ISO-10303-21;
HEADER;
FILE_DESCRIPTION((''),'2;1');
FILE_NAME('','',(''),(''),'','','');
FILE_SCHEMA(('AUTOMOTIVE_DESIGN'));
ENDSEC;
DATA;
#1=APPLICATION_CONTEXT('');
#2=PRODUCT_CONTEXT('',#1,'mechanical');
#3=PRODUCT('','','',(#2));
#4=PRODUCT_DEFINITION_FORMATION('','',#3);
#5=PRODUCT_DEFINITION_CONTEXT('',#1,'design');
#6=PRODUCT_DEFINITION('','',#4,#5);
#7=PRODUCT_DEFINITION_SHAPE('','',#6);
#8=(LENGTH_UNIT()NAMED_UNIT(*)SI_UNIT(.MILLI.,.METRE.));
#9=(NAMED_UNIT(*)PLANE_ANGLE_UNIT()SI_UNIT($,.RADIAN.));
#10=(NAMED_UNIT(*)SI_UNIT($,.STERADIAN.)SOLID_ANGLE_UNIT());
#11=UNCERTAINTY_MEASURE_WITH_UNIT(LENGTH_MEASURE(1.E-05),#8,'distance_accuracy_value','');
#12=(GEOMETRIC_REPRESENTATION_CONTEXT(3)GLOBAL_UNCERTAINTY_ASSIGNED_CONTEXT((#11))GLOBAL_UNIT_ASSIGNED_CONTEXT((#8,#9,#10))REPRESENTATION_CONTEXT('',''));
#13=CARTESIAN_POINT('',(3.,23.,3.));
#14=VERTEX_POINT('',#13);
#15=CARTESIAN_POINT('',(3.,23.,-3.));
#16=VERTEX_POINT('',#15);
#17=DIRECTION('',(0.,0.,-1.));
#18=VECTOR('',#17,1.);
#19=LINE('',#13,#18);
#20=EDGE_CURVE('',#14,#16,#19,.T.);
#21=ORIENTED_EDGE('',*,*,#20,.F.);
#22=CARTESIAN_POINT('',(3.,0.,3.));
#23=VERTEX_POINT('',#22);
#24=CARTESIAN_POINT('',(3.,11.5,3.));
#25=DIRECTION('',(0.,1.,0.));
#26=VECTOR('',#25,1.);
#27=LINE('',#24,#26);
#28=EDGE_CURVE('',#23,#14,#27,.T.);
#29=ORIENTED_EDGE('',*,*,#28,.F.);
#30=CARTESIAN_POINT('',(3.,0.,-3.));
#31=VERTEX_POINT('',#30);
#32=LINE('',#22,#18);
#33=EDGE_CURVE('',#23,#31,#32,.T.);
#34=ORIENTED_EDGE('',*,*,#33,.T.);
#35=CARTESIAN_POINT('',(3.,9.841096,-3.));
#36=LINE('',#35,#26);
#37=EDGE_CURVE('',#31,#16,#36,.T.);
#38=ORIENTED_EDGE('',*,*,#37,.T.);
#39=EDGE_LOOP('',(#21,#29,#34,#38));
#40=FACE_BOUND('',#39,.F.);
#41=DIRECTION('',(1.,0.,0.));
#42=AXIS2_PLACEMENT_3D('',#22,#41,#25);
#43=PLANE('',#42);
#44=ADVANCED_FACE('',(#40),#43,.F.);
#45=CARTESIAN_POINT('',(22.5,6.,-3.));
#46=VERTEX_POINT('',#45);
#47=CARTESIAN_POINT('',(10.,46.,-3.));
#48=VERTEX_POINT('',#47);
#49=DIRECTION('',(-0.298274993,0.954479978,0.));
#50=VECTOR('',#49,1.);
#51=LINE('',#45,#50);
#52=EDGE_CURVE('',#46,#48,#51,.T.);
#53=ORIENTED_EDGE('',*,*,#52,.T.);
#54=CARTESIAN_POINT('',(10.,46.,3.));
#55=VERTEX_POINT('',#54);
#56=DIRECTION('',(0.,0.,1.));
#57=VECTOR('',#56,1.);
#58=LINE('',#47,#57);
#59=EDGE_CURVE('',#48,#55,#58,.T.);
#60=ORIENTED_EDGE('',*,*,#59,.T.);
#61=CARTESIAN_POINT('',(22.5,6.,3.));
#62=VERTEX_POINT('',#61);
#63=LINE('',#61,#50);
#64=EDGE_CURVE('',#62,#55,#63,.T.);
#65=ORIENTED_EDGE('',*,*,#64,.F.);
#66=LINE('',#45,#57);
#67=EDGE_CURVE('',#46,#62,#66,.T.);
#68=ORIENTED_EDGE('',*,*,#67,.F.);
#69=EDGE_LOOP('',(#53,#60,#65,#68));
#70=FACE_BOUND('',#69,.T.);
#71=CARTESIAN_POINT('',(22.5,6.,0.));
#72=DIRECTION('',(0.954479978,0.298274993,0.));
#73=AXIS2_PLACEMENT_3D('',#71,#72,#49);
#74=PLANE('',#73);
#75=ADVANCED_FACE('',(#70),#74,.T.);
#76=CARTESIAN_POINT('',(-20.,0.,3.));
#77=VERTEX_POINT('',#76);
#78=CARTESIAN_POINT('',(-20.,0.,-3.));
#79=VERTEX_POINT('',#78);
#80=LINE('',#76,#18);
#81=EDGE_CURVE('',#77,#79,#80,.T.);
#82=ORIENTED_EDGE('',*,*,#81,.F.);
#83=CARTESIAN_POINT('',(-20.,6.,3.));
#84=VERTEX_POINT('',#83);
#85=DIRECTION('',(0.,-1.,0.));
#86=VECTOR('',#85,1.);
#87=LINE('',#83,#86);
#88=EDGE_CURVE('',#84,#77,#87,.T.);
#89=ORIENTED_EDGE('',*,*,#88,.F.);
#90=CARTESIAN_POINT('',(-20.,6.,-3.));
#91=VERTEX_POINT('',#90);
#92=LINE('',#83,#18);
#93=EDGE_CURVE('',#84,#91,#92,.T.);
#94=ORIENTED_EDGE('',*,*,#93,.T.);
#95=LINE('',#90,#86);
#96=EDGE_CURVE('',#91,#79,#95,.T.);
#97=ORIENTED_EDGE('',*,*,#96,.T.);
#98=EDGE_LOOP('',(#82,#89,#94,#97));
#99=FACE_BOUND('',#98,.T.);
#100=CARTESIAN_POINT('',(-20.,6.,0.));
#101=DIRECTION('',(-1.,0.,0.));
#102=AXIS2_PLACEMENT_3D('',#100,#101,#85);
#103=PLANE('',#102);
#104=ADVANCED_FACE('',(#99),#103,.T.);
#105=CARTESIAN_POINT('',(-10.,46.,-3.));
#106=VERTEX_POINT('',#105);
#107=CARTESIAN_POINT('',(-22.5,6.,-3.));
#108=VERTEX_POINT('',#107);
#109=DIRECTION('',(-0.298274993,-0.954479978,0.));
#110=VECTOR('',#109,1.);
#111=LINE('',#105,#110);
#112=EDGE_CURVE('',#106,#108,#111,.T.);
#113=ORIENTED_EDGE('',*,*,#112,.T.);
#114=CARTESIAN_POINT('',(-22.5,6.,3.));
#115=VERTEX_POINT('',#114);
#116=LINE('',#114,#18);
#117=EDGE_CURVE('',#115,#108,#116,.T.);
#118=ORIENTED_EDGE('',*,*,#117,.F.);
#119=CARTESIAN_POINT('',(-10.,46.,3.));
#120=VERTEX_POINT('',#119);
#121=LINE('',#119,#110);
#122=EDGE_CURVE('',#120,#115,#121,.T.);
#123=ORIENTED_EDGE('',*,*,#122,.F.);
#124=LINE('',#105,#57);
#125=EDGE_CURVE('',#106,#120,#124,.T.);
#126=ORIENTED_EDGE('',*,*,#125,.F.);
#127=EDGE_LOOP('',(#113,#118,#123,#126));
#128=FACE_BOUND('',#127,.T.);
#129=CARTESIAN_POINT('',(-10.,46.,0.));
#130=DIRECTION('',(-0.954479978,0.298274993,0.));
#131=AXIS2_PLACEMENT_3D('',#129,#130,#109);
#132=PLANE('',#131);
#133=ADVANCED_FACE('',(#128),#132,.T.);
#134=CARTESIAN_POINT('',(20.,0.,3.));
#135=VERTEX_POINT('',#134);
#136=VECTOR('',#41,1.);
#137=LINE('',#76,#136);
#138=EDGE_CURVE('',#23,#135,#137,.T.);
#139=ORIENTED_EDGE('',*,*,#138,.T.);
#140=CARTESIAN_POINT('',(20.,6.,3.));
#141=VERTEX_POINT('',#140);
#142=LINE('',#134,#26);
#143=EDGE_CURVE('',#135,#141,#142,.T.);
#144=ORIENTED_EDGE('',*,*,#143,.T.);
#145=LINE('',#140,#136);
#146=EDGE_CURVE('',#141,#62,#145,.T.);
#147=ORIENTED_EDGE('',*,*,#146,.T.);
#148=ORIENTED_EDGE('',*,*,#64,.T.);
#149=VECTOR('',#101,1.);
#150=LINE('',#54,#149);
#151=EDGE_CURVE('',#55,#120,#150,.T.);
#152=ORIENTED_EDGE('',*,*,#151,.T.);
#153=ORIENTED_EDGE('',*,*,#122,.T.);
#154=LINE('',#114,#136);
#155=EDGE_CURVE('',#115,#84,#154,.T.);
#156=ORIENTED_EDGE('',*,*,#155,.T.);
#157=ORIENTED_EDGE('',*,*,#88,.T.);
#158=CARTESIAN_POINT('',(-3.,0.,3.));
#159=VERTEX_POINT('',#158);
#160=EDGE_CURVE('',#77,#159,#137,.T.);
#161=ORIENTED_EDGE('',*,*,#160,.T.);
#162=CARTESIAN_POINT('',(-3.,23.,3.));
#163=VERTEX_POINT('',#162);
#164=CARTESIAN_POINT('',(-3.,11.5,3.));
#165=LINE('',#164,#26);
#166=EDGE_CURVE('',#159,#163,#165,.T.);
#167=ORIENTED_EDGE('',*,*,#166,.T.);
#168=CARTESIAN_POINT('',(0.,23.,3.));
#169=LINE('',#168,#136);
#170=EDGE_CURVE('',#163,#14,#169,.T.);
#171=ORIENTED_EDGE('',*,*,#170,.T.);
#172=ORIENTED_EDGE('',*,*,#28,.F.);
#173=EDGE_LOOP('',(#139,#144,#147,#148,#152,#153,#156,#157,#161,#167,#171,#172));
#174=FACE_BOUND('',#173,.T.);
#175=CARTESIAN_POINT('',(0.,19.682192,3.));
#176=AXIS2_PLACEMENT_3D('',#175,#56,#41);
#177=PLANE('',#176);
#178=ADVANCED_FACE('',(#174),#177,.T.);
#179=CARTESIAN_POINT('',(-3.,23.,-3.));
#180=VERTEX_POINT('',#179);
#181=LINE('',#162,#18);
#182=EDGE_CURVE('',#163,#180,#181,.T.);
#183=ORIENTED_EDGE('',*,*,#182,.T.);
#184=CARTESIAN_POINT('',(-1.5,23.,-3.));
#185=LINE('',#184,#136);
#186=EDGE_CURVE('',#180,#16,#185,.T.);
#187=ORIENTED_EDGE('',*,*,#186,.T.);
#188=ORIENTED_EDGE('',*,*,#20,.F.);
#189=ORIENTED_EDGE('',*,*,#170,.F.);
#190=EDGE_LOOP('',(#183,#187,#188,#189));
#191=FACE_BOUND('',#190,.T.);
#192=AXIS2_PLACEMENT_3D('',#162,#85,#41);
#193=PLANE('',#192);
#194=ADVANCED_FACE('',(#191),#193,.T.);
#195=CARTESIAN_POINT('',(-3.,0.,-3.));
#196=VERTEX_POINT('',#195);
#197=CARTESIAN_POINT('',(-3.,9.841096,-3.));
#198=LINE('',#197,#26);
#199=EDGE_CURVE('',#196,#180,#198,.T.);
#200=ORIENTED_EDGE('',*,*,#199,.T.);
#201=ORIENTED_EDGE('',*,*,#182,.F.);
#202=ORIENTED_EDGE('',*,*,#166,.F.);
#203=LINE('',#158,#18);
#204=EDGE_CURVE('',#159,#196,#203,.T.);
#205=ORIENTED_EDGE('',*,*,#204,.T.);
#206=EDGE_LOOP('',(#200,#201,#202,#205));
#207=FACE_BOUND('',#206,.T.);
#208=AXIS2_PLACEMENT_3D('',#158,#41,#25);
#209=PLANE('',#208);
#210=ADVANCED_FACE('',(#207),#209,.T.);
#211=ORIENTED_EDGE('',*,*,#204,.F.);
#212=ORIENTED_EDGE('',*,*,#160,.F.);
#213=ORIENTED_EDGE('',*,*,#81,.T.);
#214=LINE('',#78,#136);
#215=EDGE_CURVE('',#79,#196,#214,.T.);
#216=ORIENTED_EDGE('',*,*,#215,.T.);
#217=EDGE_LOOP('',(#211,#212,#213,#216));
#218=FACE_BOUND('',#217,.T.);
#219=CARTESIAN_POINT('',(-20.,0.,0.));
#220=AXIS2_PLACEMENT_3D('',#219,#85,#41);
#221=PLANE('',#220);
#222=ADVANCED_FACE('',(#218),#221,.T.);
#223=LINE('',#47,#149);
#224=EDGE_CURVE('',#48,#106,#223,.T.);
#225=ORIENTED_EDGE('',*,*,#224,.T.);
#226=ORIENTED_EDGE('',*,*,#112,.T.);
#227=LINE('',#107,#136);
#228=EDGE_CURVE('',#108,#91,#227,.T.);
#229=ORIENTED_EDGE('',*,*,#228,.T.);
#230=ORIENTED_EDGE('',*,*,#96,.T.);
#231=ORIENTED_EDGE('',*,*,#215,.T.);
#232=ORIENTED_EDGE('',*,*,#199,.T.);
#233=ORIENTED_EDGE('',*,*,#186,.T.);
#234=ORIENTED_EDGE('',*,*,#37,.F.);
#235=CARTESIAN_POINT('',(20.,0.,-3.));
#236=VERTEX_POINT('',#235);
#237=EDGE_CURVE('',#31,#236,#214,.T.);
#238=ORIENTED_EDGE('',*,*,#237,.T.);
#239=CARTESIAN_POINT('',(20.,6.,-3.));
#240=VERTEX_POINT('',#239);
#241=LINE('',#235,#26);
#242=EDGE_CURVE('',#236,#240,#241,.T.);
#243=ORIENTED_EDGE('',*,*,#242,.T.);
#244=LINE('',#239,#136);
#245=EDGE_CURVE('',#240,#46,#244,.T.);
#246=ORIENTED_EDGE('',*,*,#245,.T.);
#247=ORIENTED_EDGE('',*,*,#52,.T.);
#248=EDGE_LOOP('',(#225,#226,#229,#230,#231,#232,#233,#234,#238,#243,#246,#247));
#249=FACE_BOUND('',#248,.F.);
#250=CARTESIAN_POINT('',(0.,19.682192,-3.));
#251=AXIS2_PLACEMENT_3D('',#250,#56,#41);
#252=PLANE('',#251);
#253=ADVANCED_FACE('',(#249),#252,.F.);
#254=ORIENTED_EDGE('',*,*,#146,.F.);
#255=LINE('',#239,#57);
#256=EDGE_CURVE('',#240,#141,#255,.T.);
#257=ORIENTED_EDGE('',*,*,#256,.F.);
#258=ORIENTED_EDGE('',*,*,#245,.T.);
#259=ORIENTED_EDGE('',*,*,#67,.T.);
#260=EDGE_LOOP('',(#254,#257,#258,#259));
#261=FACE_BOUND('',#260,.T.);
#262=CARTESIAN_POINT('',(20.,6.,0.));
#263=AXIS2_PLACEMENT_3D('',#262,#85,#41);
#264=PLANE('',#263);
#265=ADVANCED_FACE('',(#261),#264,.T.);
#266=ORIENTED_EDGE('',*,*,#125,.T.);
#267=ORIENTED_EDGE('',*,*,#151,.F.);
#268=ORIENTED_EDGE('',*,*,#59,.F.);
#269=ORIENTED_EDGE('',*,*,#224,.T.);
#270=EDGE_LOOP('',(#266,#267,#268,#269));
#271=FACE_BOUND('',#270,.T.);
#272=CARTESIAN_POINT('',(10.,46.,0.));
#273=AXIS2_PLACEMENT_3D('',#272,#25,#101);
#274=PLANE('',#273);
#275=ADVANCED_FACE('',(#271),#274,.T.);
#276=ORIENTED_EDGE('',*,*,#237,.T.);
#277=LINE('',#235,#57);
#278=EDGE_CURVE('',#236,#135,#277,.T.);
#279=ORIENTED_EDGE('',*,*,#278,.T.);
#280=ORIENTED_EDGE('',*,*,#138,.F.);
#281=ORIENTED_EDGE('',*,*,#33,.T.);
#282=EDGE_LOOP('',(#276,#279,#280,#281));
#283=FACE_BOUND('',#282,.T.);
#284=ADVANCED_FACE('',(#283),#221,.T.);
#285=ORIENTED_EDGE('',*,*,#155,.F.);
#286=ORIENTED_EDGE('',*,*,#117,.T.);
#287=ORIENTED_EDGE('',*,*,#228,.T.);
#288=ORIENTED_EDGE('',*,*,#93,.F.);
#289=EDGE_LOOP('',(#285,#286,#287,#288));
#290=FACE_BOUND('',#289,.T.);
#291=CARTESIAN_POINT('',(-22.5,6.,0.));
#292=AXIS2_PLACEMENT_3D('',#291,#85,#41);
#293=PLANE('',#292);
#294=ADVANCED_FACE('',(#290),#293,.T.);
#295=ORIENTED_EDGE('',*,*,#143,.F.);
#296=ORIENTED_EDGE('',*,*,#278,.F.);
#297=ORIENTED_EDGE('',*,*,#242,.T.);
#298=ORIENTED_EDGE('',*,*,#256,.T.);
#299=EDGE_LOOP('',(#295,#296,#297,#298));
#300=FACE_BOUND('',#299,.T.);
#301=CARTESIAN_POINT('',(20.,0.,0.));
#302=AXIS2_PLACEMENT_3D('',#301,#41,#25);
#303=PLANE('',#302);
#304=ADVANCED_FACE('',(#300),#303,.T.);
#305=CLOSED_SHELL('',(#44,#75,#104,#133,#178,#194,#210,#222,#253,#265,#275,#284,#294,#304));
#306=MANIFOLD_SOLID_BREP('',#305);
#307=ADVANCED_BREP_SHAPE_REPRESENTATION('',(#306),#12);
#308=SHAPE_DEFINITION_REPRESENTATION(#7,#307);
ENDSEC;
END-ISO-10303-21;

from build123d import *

# Parameters (mm, degrees)
BOSS_EXTRUDE1_DEPTH = 3
SKETCH2_W           = 6
SKETCH2_H           = 23
CUT_EXTRUDE1_DEPTH  = 7


with BuildPart() as part:
    # Sketch1 → Boss-Extrude1 (new body, symmetric)
    with BuildSketch(Plane.XY):
        Polygon((-20, 0), (20, 0), (20, 6), (22.5, 6), (10, 46), (-10, 46), (-22.5, 6), (-20, 6), align=None)
    extrude(amount=BOSS_EXTRUDE1_DEPTH, both=True)

    # Sketch2 → Cut-Extrude1 (cut, through all)
    with BuildSketch(Plane.XY.offset(3)):
        with Locations((0, 11.5)):
            Rectangle(SKETCH2_W, SKETCH2_H)
    extrude(amount=-CUT_EXTRUDE1_DEPTH, mode=Mode.SUBTRACT)


solid = part.part
